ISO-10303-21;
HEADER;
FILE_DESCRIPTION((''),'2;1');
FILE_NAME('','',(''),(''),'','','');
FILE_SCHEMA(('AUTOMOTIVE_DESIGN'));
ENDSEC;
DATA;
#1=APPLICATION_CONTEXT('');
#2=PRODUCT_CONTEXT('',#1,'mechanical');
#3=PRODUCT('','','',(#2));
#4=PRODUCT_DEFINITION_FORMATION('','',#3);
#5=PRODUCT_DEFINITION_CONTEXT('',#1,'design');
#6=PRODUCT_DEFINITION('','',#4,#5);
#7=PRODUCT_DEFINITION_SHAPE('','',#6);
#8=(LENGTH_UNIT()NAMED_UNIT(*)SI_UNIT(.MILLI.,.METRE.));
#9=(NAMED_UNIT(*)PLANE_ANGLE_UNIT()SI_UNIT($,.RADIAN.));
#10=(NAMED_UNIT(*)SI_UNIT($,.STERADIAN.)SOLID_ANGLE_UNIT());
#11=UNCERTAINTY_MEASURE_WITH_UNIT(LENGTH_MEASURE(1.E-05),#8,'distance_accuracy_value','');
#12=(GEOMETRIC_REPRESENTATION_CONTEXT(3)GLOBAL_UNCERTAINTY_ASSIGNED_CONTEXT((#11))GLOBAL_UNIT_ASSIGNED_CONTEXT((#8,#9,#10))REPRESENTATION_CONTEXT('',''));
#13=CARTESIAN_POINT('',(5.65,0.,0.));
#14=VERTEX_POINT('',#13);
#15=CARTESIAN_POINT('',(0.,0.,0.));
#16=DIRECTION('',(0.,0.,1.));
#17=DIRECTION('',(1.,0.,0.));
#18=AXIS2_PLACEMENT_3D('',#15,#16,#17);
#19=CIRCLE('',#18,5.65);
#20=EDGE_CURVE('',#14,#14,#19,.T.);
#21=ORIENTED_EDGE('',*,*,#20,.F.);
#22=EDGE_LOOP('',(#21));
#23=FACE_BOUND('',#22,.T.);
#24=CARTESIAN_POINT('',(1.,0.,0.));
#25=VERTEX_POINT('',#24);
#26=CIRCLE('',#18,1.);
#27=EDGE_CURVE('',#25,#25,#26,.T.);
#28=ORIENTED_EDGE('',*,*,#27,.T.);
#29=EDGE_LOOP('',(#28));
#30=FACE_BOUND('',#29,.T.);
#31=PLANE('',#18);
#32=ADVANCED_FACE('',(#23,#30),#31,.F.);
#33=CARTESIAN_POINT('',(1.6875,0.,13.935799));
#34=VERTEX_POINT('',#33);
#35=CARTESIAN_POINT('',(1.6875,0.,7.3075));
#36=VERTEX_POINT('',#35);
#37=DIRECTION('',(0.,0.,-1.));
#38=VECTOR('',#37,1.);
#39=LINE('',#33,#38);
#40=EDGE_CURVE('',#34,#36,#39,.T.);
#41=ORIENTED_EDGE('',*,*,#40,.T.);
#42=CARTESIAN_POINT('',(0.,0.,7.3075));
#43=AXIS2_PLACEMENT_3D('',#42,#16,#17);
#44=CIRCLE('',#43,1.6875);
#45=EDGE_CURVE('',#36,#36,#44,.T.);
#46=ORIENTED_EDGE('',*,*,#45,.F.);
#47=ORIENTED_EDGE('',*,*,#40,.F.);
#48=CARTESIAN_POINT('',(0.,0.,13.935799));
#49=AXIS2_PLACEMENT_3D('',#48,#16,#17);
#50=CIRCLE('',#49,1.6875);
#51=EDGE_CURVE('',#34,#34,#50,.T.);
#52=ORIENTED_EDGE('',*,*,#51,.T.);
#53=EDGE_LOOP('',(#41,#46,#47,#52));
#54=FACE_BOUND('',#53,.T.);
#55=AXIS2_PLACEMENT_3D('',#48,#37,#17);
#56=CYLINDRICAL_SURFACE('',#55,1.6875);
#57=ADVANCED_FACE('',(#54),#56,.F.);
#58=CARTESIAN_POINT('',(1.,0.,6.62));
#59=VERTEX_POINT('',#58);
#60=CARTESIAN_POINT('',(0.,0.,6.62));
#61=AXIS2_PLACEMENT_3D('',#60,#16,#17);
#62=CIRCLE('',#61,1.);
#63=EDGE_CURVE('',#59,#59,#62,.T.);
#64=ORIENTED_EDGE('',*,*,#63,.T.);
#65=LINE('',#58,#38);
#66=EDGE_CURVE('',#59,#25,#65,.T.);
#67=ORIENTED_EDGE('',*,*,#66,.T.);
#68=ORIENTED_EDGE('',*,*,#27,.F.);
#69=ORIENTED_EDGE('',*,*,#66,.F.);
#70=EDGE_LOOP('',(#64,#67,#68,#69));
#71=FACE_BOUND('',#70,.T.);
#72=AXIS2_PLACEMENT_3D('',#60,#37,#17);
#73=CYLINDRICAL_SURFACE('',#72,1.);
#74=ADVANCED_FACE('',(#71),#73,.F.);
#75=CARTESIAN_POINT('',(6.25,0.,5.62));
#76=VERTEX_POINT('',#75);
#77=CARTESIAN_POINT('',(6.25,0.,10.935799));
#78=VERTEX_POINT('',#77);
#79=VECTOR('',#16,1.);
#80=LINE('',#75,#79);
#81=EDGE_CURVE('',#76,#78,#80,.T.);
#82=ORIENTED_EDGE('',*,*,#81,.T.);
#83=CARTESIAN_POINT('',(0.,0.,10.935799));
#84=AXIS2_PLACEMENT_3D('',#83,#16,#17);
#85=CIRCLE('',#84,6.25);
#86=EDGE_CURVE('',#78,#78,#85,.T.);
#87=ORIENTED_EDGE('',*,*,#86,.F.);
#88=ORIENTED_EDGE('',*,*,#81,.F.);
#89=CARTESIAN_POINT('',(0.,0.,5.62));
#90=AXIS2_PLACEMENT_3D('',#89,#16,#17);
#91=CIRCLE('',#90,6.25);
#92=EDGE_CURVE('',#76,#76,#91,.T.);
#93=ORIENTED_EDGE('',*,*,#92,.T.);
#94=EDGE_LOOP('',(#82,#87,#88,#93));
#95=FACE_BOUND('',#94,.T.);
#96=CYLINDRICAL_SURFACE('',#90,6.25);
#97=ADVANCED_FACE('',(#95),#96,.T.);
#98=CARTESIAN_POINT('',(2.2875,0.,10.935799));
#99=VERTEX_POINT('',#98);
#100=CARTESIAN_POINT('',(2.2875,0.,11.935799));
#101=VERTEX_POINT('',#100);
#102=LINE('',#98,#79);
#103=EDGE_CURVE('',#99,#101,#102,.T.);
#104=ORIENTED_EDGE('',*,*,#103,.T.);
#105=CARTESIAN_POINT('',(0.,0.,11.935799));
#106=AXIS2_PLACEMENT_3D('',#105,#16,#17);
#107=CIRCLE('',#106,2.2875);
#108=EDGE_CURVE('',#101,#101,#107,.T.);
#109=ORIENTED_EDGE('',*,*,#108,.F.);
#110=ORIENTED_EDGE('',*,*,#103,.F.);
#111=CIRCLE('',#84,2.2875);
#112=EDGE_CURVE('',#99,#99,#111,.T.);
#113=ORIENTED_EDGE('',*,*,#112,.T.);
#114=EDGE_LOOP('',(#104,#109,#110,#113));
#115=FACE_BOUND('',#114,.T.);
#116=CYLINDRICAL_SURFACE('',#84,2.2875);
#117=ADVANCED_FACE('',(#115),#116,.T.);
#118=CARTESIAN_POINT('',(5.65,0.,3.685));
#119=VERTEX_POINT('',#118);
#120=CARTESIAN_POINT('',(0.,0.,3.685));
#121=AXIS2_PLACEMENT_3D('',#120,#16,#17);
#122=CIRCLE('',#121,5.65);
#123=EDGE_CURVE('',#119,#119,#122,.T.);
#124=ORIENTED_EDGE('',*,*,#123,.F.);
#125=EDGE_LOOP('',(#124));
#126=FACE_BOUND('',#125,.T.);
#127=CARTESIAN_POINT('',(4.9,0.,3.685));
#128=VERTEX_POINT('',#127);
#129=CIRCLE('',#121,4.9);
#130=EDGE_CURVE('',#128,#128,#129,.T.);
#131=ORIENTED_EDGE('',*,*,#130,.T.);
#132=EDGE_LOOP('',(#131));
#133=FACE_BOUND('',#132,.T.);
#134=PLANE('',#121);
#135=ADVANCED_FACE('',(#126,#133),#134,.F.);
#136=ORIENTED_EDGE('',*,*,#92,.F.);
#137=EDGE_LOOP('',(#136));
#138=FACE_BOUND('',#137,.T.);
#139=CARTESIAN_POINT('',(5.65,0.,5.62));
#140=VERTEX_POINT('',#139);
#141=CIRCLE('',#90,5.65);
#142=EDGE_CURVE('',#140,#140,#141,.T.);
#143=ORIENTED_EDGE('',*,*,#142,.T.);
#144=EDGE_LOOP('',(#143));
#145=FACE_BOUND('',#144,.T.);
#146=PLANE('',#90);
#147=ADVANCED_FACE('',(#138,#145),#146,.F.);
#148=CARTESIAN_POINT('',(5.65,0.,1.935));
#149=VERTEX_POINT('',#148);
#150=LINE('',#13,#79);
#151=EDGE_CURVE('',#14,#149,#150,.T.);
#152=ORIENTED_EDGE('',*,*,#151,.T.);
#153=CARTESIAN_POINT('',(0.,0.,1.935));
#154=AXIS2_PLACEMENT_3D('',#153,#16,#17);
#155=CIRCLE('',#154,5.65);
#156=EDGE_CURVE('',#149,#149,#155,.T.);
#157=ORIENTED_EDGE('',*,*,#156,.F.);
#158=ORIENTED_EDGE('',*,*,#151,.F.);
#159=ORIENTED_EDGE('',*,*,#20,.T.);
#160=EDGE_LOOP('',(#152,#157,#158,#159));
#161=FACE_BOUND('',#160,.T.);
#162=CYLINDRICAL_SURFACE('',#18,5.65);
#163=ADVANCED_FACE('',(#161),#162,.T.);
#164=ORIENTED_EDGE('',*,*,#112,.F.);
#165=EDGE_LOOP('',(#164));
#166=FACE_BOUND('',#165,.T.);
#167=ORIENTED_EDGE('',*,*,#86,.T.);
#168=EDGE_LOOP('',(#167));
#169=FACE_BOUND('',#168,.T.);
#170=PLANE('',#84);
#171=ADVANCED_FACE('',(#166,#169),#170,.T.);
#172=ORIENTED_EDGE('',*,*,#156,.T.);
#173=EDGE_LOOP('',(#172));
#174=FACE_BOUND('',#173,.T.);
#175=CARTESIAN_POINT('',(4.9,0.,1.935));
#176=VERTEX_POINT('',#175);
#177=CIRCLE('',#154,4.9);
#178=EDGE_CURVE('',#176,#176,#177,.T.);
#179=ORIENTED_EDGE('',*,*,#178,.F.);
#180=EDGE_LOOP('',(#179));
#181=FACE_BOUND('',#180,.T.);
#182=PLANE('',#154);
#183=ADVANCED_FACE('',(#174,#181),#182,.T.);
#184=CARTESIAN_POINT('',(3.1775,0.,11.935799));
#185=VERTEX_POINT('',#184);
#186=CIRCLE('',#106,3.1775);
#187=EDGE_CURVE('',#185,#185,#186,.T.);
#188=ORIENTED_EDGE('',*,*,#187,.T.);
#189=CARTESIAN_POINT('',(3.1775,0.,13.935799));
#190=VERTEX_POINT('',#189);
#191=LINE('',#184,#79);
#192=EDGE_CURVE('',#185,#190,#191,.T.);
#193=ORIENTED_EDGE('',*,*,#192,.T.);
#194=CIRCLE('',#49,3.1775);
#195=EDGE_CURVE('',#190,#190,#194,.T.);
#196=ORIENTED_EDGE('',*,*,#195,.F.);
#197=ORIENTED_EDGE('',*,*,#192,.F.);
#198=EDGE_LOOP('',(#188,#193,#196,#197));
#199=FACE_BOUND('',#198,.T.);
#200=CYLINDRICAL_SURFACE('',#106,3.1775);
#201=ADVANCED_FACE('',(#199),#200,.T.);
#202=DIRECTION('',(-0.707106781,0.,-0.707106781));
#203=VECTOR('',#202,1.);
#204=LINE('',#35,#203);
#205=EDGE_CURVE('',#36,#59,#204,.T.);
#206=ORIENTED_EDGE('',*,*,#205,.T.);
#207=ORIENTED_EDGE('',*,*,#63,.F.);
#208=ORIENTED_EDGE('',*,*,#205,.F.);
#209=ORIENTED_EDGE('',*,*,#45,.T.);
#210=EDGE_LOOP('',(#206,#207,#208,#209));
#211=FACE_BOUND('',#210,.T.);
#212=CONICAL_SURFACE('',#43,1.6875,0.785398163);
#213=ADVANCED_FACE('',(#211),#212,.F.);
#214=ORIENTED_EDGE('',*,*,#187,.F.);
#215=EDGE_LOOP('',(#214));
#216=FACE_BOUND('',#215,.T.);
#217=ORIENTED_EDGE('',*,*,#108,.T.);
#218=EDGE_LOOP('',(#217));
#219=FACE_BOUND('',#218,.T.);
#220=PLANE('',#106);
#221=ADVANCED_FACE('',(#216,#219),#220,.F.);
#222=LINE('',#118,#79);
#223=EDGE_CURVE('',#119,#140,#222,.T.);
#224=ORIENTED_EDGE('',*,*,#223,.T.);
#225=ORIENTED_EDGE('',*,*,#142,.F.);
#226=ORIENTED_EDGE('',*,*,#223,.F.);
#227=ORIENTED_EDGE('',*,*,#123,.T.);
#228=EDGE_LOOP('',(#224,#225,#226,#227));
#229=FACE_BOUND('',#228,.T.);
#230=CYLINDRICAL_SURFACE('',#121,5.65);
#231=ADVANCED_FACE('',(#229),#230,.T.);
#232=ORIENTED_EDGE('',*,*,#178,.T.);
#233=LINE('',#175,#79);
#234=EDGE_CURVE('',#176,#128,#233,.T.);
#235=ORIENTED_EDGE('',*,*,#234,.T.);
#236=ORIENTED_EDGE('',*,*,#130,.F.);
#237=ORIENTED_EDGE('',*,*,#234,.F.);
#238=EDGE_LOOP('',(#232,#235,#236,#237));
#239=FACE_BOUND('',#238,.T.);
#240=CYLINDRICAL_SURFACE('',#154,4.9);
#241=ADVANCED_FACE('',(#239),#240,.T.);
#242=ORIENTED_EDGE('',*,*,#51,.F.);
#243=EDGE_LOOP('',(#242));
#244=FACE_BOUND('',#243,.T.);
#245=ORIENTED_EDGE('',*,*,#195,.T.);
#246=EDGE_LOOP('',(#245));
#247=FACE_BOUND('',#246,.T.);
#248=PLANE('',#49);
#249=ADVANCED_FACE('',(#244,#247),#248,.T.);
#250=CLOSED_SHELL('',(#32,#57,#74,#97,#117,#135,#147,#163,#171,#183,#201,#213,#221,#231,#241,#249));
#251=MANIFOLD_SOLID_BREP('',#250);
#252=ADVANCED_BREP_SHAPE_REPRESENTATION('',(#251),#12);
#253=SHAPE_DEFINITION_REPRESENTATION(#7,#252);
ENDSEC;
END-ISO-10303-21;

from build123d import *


with BuildPart() as f1:
    # F0 (on Front) → F1 (revolve)
    with BuildSketch(Plane.XZ):
        Polygon((1, 6.62), (1, 0), (5.65, 0), (5.65, 1.935), (4.9, 1.935), (4.9, 3.685), (5.65, 3.685), (5.65, 5.62), (6.25, 5.62), (6.25, 10.935799), (2.2875, 10.935799), (2.2875, 11.935799), (3.1775, 11.935799), (3.1775, 13.935799), (1.6875, 13.935799), (1.6875, 7.3075), align=None)
    revolve(axis=Axis((0, 0, 9.965437), (0, 0, 1)))


solid = f1.part
